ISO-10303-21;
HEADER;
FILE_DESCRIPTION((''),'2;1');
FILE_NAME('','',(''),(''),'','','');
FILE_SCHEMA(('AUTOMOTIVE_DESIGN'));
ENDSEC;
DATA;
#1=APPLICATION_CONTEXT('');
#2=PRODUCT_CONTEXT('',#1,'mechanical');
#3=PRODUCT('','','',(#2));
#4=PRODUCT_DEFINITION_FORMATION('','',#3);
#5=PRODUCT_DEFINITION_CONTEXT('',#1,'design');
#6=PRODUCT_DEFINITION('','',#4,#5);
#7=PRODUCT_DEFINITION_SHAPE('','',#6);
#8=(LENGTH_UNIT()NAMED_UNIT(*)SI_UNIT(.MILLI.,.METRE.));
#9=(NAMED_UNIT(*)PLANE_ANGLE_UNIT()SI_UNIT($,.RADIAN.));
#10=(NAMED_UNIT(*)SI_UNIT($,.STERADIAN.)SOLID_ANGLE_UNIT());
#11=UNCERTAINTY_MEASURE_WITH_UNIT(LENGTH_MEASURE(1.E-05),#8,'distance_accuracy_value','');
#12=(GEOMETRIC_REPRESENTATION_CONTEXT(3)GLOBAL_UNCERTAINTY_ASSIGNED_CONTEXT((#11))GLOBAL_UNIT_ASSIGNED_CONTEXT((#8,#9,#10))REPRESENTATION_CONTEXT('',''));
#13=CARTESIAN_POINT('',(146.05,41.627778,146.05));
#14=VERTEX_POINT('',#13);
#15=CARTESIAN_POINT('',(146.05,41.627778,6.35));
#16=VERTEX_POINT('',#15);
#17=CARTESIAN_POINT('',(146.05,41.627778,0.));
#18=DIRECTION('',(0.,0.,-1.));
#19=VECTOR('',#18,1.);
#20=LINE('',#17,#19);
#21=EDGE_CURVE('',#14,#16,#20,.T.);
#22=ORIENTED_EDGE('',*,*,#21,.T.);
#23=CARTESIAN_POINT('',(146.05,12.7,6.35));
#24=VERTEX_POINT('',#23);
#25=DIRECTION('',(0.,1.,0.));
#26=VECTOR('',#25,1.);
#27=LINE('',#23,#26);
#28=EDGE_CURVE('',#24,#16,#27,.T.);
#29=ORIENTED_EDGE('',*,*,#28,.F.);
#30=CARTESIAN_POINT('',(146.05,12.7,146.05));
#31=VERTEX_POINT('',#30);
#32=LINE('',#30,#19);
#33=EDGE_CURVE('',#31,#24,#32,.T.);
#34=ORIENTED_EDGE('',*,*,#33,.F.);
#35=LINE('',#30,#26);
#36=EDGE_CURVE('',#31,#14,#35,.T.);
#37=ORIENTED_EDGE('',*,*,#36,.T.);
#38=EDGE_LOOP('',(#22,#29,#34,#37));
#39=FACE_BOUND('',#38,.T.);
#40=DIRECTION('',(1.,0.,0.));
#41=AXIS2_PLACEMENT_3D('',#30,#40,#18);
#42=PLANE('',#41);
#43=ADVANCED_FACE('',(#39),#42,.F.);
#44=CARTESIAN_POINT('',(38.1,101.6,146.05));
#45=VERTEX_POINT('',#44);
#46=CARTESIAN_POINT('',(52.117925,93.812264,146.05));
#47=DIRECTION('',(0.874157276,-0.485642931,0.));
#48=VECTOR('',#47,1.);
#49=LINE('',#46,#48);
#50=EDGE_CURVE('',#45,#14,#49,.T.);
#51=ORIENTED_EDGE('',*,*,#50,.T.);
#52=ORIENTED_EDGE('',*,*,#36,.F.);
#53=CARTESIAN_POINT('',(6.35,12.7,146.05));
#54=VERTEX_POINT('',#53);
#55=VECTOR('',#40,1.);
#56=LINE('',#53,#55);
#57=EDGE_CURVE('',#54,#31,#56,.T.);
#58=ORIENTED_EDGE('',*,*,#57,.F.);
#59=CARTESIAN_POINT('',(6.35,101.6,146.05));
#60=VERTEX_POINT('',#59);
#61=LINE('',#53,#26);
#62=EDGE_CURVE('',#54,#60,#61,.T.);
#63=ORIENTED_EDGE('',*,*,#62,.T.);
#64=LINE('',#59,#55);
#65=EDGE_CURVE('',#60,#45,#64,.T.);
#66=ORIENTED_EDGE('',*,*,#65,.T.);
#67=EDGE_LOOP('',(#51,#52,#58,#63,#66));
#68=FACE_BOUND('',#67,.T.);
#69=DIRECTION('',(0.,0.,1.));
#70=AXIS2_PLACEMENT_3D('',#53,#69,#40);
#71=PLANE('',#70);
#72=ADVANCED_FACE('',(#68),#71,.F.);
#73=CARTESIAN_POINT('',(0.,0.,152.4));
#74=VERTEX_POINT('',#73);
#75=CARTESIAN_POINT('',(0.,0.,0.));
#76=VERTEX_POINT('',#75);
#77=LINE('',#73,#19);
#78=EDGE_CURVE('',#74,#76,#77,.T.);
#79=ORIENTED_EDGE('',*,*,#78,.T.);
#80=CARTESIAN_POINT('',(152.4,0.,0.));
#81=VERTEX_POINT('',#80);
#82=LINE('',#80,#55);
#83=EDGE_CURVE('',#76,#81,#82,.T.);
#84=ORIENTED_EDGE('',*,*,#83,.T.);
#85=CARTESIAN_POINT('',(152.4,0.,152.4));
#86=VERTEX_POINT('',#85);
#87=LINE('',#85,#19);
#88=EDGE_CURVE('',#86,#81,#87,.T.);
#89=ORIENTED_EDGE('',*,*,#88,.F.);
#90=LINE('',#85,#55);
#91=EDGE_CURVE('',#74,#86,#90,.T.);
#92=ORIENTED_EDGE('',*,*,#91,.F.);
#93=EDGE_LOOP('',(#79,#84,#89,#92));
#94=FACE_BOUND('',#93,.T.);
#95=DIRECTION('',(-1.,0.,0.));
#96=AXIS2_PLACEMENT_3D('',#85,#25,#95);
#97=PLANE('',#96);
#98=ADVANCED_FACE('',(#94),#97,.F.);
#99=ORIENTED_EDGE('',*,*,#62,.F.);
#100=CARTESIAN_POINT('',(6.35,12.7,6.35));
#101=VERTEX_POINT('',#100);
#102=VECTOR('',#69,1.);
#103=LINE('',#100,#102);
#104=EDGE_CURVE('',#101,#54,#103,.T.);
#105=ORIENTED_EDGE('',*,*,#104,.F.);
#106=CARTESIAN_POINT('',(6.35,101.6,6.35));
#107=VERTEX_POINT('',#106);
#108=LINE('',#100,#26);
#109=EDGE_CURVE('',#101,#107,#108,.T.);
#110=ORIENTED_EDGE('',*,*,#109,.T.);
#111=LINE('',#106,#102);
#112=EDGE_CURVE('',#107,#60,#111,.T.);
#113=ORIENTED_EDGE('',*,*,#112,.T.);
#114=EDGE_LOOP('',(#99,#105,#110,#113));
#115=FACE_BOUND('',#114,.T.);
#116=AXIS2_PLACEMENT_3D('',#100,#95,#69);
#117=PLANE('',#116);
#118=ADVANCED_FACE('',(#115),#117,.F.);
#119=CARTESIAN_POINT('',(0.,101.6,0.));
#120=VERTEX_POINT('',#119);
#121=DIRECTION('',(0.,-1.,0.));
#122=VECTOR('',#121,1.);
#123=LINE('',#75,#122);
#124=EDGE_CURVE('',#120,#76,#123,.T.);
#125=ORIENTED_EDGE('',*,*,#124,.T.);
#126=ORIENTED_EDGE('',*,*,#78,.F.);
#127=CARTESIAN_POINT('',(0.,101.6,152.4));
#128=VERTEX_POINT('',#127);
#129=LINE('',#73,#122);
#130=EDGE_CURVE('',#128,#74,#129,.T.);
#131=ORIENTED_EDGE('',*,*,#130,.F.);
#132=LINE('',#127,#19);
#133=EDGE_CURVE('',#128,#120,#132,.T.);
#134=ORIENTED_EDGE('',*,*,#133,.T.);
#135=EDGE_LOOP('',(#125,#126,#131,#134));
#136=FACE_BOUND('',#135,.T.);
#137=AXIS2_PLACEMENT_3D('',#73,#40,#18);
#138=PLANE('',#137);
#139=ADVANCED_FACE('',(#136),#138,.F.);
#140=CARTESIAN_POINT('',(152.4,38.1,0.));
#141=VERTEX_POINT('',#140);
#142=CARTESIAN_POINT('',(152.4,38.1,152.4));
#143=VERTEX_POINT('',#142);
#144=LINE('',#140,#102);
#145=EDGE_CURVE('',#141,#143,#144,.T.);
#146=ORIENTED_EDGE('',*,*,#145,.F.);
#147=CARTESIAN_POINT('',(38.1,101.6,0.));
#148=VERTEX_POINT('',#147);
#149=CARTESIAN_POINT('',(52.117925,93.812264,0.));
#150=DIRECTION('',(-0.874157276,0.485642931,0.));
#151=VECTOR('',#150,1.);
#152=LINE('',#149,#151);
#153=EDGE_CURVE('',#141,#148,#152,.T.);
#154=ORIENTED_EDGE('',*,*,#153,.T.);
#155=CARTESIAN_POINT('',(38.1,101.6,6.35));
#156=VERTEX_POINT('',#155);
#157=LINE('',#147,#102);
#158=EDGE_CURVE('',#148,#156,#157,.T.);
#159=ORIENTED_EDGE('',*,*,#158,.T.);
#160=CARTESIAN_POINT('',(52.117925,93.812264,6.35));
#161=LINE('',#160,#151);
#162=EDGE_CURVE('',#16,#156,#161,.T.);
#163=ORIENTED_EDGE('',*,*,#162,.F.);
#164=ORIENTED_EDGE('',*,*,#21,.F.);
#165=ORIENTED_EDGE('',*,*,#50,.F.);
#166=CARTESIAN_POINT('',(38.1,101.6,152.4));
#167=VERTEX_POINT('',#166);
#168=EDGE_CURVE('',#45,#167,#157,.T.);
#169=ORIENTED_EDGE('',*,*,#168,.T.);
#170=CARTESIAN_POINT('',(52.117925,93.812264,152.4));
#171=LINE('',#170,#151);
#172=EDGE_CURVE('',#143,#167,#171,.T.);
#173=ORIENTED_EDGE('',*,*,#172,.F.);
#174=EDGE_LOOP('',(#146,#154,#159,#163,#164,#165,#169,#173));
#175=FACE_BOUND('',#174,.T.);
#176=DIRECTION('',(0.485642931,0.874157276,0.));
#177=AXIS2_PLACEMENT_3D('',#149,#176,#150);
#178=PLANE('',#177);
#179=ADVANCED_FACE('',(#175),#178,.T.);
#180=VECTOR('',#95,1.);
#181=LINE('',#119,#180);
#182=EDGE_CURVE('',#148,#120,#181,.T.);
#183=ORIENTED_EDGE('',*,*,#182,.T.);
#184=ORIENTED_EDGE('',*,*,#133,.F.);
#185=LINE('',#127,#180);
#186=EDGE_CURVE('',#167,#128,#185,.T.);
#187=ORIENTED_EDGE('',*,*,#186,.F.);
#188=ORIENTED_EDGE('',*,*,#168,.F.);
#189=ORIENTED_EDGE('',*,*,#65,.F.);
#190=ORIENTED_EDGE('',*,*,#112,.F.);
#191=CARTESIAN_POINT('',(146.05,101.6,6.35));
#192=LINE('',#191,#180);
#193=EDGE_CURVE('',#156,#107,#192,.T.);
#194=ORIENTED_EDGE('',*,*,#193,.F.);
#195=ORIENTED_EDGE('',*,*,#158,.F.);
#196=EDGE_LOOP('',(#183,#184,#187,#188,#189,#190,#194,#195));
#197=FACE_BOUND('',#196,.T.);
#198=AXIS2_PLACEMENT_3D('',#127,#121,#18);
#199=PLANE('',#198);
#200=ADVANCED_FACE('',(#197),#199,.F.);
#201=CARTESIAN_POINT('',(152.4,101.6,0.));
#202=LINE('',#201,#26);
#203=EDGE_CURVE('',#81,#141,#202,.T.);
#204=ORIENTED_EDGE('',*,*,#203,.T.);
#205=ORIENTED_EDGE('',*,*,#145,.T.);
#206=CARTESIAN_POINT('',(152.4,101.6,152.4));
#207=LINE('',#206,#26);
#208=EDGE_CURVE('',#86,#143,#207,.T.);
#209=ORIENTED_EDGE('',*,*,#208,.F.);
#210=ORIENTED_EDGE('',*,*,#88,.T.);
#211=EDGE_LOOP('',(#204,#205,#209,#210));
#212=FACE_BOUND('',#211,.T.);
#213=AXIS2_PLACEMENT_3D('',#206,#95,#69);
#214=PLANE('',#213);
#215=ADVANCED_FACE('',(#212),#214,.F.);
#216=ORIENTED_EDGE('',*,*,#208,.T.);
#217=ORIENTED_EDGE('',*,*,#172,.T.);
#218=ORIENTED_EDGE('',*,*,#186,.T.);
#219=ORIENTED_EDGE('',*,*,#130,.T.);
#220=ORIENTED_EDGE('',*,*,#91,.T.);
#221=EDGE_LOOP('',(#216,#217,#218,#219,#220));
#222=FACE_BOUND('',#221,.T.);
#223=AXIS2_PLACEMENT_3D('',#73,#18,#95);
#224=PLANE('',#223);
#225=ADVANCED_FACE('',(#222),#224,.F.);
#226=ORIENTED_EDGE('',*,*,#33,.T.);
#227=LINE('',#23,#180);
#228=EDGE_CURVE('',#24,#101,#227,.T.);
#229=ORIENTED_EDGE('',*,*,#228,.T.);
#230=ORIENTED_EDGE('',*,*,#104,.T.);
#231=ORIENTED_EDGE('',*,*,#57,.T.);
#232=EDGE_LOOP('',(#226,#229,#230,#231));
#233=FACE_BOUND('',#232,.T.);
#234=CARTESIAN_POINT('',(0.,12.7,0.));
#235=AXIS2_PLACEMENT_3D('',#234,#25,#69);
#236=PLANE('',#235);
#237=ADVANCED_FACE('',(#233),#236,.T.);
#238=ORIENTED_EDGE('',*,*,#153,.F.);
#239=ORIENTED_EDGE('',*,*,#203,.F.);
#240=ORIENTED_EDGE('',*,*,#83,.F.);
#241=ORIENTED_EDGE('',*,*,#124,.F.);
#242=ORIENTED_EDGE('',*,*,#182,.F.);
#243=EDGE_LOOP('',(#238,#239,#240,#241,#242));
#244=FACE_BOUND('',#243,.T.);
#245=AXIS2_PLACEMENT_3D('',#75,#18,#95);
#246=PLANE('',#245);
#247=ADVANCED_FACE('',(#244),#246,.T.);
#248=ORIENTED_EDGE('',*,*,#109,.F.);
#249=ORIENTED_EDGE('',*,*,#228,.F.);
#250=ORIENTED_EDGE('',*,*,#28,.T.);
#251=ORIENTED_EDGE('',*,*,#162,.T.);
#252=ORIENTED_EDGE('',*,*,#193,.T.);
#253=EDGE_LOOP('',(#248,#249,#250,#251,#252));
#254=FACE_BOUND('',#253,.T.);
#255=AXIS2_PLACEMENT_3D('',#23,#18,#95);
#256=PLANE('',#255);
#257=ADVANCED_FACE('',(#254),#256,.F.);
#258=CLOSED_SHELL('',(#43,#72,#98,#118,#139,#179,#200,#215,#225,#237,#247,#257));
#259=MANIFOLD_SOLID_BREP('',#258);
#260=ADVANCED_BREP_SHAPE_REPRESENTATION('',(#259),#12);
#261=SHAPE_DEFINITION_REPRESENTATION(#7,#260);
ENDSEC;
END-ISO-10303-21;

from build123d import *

# Parameters (mm, degrees)
SKETCH1_W           = 152.4
SKETCH1_H           = 101.6
BOSS_EXTRUDE1_DEPTH = 152.4
CUT_EXTRUDE2_DEPTH  = 152.4
SKETCH7_W           = 139.7
SKETCH7_H           = 139.7
CUT_EXTRUDE3_DEPTH  = 88.9


with BuildPart() as part:
    # Sketch1 → Boss-Extrude1 (new body)
    with BuildSketch(Plane.XY):
        with Locations((76.2, 50.8)):
            Rectangle(SKETCH1_W, SKETCH1_H)
    extrude(amount=BOSS_EXTRUDE1_DEPTH)

    # Sketch6 → Cut-Extrude2 (cut)
    with BuildSketch(Plane.XY.offset(152.4)):
        Polygon((104.436678767, 101.6), (38.1, 101.6), (152.4, 38.1), (152.4, 101.6), (104.590197544, 101.6), align=None)
    extrude(amount=-CUT_EXTRUDE2_DEPTH, mode=Mode.SUBTRACT)

    # Sketch7 → Cut-Extrude3 (cut)
    with BuildSketch(Plane(origin=(0, 101.6, 0), x_dir=(1, 0, 0), z_dir=(0, 1, 0))):
        with Locations((76.2, -76.2)):
            Rectangle(SKETCH7_W, SKETCH7_H)
    extrude(amount=-CUT_EXTRUDE3_DEPTH, mode=Mode.SUBTRACT)


solid = part.part
